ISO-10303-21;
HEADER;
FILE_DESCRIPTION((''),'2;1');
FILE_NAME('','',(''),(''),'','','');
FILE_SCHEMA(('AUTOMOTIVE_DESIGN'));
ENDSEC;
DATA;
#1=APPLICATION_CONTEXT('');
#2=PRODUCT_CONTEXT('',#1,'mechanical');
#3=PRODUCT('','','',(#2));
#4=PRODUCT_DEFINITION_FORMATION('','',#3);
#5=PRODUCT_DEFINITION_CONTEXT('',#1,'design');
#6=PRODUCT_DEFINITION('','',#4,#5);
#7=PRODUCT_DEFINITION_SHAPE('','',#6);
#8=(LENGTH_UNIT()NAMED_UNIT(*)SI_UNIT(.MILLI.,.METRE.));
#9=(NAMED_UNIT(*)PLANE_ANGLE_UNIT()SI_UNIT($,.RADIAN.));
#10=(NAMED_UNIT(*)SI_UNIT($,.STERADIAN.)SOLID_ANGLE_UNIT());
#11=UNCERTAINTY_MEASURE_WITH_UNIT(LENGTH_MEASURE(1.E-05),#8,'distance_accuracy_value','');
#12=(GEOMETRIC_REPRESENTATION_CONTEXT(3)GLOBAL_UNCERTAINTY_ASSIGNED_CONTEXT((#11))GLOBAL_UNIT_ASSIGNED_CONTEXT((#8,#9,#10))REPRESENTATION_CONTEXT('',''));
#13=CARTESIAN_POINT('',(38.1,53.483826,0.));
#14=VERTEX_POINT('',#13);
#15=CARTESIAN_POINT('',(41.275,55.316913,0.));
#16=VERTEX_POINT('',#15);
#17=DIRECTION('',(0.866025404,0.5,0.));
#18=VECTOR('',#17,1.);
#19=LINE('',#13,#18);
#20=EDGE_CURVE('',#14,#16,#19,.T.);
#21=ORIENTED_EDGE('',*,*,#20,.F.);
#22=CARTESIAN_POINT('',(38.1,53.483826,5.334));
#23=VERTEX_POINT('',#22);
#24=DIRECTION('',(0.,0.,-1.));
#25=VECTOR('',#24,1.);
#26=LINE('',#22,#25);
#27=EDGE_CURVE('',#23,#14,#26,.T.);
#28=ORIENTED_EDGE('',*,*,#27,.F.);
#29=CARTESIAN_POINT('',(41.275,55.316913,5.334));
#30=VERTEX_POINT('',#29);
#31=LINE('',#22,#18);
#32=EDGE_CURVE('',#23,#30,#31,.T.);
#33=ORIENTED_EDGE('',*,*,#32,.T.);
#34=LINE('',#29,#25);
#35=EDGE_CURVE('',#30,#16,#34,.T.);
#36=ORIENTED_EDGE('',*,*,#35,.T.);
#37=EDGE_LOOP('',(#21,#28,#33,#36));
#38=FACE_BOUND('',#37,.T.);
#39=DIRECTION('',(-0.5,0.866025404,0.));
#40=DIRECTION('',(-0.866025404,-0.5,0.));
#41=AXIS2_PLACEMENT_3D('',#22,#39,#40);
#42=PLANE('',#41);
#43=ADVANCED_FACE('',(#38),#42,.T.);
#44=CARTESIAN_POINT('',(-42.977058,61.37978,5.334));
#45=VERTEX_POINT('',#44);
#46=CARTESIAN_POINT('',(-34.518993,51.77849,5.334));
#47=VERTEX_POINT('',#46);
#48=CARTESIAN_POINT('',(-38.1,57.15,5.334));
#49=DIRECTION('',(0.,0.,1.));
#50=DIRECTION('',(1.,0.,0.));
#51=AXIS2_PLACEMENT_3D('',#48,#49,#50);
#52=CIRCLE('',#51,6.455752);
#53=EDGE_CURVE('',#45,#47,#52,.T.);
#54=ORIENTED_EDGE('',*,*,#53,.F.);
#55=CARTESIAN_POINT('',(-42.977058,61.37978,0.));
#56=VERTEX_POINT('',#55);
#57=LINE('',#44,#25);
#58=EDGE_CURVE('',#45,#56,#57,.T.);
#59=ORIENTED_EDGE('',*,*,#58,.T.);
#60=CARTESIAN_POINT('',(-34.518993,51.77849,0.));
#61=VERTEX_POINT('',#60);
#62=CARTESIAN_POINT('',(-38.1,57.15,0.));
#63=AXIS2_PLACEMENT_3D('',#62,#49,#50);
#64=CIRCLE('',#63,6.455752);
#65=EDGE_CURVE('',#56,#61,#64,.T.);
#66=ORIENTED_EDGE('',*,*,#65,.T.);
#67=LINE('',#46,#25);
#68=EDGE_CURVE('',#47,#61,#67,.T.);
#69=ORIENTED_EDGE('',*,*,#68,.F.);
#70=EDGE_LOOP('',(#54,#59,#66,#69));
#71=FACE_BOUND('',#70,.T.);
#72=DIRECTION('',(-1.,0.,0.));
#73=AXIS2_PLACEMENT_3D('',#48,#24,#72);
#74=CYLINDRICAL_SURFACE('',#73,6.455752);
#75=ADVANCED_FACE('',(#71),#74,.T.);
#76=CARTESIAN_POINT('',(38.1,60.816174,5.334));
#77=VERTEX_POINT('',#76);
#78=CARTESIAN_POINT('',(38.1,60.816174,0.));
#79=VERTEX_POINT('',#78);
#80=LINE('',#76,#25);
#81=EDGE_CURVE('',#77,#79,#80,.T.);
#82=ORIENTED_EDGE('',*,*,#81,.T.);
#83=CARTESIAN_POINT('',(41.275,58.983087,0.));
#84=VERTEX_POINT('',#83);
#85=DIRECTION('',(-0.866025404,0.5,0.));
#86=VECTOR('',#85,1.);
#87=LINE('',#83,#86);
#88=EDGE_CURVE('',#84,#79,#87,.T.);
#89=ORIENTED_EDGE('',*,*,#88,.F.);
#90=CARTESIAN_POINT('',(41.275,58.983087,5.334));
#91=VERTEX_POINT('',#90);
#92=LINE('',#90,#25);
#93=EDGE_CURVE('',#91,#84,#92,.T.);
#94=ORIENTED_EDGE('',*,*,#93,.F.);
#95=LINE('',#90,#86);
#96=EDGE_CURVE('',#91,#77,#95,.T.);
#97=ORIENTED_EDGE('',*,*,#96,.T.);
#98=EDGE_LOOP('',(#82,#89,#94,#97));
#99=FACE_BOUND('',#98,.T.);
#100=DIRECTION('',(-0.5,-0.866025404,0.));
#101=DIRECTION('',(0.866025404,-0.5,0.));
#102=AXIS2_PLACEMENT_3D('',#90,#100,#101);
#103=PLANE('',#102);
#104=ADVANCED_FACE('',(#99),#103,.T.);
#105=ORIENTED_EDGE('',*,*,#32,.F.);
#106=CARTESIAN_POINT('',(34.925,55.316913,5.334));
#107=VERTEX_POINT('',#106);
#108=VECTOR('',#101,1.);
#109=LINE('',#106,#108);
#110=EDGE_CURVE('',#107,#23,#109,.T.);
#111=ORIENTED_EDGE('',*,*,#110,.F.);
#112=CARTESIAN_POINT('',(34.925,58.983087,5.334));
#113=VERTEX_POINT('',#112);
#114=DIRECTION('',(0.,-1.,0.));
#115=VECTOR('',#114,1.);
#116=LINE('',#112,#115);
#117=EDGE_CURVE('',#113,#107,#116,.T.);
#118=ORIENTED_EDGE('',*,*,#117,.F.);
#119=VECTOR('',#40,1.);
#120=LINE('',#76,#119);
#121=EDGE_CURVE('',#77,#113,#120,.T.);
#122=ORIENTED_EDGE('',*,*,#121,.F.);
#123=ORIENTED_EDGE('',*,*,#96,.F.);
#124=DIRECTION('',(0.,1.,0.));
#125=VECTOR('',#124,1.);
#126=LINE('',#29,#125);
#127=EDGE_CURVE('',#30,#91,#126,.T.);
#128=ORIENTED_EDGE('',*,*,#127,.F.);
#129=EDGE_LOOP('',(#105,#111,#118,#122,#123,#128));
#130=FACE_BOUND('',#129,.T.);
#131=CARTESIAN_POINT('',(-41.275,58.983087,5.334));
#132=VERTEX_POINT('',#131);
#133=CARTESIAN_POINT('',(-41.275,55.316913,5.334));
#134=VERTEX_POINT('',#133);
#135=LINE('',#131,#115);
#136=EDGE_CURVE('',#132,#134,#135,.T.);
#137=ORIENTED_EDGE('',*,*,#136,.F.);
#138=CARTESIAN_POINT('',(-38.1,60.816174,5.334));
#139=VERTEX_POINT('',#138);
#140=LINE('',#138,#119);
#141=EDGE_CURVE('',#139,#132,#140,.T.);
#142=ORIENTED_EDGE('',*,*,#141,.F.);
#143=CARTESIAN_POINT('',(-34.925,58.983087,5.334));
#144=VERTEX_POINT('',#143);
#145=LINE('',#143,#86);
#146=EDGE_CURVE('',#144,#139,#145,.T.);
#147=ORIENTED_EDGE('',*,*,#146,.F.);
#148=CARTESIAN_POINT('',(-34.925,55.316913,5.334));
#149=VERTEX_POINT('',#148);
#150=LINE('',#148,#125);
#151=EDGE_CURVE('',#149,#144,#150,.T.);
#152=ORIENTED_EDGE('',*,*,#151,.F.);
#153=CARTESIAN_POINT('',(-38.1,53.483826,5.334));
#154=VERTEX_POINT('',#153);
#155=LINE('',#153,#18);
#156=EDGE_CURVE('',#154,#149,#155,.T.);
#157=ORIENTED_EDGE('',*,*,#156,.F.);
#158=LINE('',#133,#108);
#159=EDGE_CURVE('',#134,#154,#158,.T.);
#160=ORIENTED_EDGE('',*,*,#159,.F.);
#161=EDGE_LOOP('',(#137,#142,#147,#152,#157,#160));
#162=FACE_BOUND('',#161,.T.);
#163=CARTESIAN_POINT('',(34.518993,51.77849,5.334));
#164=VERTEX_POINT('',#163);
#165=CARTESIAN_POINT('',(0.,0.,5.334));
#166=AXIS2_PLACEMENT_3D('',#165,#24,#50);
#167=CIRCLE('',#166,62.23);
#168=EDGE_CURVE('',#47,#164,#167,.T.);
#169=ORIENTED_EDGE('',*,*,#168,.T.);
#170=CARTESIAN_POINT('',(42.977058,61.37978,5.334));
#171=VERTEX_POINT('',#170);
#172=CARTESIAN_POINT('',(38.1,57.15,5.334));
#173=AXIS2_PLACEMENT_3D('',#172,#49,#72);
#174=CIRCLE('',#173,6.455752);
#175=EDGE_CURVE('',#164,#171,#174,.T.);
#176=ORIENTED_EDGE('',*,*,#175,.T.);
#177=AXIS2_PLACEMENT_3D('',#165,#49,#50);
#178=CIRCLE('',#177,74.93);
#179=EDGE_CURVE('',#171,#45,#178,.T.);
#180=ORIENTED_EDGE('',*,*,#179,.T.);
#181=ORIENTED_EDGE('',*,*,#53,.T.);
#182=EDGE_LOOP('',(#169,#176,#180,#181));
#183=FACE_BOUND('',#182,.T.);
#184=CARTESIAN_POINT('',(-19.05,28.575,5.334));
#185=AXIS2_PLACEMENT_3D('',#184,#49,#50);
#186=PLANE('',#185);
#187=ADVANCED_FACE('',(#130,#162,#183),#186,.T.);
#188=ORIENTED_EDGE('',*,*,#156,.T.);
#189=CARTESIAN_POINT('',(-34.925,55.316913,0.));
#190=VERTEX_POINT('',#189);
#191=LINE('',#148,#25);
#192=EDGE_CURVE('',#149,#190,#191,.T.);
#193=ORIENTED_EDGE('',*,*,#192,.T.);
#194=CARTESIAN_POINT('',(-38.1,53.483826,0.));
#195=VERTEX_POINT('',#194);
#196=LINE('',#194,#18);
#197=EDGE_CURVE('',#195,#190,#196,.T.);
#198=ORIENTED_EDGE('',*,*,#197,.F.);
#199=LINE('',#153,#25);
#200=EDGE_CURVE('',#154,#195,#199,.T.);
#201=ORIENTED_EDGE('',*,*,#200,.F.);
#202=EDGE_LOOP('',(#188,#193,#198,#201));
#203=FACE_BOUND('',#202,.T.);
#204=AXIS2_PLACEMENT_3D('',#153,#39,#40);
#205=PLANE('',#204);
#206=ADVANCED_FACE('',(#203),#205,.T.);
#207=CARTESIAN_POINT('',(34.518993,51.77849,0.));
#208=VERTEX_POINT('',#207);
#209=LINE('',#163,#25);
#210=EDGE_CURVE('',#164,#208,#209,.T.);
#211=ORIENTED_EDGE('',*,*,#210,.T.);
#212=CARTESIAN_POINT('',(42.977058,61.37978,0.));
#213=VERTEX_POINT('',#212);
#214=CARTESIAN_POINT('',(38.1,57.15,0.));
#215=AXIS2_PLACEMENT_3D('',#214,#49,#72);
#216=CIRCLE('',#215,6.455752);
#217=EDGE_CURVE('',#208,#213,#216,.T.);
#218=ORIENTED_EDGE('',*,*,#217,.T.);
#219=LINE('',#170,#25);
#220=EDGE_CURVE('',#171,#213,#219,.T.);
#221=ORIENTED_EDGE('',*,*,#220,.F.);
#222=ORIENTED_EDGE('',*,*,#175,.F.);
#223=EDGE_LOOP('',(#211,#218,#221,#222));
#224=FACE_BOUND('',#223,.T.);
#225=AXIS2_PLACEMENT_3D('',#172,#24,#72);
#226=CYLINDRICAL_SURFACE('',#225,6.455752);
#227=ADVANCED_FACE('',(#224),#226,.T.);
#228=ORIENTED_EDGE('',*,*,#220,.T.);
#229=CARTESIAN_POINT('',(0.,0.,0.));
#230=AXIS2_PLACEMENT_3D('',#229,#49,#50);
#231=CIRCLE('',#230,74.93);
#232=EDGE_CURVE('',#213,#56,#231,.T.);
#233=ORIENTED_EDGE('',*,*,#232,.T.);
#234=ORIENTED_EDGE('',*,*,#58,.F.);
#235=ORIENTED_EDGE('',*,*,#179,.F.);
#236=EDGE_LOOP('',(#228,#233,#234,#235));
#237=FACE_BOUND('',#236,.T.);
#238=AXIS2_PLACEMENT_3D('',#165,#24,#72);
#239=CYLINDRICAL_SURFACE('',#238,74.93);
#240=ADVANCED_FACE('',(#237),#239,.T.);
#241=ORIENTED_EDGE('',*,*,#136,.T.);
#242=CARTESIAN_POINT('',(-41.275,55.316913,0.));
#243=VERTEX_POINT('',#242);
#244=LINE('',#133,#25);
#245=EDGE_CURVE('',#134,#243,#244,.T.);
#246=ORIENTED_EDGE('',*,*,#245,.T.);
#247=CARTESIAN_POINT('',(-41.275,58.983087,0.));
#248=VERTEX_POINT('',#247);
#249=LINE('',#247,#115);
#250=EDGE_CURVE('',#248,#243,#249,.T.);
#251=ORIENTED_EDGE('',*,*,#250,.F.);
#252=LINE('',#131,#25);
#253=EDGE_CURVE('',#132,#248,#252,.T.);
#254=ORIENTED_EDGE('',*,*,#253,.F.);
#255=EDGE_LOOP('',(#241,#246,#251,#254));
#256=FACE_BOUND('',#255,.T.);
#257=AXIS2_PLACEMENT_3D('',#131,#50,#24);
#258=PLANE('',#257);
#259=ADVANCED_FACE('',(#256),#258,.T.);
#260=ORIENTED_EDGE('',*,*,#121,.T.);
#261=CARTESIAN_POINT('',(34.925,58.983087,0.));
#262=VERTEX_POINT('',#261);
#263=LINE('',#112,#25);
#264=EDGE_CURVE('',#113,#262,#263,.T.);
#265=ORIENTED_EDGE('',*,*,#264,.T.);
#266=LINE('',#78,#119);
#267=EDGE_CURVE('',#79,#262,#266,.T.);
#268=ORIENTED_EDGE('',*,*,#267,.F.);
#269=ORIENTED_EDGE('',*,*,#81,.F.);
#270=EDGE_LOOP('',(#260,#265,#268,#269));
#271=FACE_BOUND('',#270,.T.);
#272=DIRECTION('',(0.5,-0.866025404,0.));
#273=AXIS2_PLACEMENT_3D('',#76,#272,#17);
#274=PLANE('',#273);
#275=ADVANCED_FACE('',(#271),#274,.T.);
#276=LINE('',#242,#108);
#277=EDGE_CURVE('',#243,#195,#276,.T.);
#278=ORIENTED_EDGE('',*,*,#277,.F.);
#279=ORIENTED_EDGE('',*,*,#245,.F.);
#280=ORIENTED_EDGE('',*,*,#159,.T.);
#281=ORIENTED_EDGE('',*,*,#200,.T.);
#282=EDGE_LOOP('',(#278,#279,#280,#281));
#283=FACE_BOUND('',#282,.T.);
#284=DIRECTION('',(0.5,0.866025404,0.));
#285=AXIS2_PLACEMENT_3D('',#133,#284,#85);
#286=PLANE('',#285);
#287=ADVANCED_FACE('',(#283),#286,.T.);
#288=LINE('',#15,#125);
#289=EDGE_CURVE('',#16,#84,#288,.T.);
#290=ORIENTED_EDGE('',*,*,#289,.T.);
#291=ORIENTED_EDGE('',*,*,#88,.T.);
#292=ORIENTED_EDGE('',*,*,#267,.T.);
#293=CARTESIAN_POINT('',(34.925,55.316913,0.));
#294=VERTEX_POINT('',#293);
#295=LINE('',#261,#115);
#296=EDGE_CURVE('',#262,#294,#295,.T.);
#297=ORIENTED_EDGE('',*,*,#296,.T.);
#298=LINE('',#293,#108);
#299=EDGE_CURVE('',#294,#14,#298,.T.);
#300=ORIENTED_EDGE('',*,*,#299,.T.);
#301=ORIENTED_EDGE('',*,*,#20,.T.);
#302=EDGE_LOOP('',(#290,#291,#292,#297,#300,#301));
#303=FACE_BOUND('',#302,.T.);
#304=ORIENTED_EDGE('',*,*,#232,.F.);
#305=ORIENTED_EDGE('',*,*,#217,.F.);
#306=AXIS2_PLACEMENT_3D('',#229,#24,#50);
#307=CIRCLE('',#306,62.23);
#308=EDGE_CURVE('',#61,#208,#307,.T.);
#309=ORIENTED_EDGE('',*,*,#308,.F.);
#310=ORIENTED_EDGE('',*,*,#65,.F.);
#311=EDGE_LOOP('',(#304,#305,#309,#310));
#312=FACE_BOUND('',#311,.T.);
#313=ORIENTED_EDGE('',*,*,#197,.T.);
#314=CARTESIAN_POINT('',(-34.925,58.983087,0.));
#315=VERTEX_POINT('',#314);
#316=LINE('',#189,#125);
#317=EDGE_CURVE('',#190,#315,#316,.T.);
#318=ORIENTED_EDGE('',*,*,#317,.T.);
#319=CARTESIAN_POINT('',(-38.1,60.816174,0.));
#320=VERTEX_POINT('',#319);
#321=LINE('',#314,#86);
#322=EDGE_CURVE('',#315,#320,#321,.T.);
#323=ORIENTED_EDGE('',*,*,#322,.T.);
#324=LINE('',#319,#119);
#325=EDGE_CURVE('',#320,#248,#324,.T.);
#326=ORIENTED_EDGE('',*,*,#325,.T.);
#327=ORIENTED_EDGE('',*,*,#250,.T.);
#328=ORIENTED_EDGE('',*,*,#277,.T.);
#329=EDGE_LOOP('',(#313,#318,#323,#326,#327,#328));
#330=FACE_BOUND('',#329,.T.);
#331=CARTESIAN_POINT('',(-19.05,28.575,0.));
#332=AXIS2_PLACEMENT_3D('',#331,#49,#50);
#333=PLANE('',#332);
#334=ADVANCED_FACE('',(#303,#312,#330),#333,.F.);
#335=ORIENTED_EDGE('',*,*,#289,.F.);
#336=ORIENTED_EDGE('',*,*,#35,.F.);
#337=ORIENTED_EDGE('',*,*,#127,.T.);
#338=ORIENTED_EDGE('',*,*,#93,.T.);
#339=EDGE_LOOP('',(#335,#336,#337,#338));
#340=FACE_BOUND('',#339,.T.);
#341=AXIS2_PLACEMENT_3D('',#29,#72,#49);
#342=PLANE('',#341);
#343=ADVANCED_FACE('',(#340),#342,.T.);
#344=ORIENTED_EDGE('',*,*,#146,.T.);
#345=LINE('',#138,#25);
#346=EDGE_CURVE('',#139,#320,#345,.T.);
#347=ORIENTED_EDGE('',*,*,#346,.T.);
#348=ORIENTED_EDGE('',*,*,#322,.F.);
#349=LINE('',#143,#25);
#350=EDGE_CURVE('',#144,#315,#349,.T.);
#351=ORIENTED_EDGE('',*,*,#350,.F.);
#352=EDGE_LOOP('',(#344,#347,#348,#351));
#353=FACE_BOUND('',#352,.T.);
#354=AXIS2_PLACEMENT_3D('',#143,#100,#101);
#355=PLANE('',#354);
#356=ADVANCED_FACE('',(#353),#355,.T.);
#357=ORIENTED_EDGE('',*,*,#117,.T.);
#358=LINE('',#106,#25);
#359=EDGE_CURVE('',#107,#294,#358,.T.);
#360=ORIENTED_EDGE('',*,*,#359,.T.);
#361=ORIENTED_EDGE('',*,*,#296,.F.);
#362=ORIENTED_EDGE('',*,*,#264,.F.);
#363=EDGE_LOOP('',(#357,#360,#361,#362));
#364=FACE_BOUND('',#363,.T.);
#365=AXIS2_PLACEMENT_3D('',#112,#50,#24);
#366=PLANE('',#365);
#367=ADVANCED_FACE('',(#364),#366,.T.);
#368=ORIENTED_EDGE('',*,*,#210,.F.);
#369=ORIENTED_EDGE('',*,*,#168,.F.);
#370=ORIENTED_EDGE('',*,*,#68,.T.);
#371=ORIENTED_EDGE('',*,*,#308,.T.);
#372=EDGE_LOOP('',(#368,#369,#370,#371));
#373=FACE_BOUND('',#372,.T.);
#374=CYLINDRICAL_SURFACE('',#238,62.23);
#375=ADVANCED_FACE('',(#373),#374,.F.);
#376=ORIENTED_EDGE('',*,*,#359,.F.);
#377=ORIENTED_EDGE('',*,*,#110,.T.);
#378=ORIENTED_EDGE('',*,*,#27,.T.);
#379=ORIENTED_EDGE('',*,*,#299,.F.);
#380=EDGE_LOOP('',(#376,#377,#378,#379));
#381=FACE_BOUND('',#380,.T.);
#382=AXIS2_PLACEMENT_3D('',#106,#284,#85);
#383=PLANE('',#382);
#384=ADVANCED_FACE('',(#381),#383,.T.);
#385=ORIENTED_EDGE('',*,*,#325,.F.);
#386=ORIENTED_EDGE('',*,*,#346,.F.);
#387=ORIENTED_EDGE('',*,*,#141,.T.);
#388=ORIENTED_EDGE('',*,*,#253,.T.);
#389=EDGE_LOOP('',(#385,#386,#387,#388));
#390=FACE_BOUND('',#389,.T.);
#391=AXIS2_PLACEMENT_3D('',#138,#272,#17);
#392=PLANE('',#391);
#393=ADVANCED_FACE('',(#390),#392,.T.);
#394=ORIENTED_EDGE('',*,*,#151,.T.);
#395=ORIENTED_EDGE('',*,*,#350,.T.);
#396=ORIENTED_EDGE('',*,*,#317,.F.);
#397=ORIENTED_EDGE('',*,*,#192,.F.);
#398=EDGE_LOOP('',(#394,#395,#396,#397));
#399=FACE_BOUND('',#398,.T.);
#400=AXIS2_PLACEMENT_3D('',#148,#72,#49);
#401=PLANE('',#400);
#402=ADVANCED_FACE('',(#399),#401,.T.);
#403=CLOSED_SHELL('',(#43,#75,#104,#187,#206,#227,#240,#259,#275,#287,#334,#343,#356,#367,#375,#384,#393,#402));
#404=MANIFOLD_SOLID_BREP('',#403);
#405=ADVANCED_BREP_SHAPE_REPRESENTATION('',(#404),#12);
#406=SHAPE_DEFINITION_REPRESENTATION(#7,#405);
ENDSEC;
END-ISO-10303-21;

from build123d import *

# Parameters (mm, degrees)
BOSS_EXTRUDE1_DEPTH = 5.334


with BuildPart() as part:
    # Sketch1 → Boss-Extrude1 (new body)
    with BuildSketch(Plane.XY):
        with BuildLine():
            ThreePointArc((42.977057526, 61.379780274), (0, 74.93), (-42.977057526, 61.379780274))
            ThreePointArc((-42.977057526, 61.379780274), (-42.944185328, 52.882612065), (-34.518993211, 51.778489817))
            ThreePointArc((-34.518993211, 51.778489817), (0, 62.23), (34.518993211, 51.778489817))
            ThreePointArc((34.518993211, 51.778489817), (42.944185328, 52.882612065), (42.977057526, 61.379780274))
        make_face()
        Polygon((-38.1, 60.816174209), (-41.275, 58.983087105), (-41.275, 55.316912895), (-38.1, 53.483825791), (-34.925, 55.316912895), (-34.925, 58.983087105), align=None, mode=Mode.SUBTRACT)
        Polygon((38.1, 60.816174209), (34.925, 58.983087105), (34.925, 55.316912895), (38.1, 53.483825791), (41.275, 55.316912895), (41.275, 58.983087105), align=None, mode=Mode.SUBTRACT)
    extrude(amount=BOSS_EXTRUDE1_DEPTH)


solid = part.part
